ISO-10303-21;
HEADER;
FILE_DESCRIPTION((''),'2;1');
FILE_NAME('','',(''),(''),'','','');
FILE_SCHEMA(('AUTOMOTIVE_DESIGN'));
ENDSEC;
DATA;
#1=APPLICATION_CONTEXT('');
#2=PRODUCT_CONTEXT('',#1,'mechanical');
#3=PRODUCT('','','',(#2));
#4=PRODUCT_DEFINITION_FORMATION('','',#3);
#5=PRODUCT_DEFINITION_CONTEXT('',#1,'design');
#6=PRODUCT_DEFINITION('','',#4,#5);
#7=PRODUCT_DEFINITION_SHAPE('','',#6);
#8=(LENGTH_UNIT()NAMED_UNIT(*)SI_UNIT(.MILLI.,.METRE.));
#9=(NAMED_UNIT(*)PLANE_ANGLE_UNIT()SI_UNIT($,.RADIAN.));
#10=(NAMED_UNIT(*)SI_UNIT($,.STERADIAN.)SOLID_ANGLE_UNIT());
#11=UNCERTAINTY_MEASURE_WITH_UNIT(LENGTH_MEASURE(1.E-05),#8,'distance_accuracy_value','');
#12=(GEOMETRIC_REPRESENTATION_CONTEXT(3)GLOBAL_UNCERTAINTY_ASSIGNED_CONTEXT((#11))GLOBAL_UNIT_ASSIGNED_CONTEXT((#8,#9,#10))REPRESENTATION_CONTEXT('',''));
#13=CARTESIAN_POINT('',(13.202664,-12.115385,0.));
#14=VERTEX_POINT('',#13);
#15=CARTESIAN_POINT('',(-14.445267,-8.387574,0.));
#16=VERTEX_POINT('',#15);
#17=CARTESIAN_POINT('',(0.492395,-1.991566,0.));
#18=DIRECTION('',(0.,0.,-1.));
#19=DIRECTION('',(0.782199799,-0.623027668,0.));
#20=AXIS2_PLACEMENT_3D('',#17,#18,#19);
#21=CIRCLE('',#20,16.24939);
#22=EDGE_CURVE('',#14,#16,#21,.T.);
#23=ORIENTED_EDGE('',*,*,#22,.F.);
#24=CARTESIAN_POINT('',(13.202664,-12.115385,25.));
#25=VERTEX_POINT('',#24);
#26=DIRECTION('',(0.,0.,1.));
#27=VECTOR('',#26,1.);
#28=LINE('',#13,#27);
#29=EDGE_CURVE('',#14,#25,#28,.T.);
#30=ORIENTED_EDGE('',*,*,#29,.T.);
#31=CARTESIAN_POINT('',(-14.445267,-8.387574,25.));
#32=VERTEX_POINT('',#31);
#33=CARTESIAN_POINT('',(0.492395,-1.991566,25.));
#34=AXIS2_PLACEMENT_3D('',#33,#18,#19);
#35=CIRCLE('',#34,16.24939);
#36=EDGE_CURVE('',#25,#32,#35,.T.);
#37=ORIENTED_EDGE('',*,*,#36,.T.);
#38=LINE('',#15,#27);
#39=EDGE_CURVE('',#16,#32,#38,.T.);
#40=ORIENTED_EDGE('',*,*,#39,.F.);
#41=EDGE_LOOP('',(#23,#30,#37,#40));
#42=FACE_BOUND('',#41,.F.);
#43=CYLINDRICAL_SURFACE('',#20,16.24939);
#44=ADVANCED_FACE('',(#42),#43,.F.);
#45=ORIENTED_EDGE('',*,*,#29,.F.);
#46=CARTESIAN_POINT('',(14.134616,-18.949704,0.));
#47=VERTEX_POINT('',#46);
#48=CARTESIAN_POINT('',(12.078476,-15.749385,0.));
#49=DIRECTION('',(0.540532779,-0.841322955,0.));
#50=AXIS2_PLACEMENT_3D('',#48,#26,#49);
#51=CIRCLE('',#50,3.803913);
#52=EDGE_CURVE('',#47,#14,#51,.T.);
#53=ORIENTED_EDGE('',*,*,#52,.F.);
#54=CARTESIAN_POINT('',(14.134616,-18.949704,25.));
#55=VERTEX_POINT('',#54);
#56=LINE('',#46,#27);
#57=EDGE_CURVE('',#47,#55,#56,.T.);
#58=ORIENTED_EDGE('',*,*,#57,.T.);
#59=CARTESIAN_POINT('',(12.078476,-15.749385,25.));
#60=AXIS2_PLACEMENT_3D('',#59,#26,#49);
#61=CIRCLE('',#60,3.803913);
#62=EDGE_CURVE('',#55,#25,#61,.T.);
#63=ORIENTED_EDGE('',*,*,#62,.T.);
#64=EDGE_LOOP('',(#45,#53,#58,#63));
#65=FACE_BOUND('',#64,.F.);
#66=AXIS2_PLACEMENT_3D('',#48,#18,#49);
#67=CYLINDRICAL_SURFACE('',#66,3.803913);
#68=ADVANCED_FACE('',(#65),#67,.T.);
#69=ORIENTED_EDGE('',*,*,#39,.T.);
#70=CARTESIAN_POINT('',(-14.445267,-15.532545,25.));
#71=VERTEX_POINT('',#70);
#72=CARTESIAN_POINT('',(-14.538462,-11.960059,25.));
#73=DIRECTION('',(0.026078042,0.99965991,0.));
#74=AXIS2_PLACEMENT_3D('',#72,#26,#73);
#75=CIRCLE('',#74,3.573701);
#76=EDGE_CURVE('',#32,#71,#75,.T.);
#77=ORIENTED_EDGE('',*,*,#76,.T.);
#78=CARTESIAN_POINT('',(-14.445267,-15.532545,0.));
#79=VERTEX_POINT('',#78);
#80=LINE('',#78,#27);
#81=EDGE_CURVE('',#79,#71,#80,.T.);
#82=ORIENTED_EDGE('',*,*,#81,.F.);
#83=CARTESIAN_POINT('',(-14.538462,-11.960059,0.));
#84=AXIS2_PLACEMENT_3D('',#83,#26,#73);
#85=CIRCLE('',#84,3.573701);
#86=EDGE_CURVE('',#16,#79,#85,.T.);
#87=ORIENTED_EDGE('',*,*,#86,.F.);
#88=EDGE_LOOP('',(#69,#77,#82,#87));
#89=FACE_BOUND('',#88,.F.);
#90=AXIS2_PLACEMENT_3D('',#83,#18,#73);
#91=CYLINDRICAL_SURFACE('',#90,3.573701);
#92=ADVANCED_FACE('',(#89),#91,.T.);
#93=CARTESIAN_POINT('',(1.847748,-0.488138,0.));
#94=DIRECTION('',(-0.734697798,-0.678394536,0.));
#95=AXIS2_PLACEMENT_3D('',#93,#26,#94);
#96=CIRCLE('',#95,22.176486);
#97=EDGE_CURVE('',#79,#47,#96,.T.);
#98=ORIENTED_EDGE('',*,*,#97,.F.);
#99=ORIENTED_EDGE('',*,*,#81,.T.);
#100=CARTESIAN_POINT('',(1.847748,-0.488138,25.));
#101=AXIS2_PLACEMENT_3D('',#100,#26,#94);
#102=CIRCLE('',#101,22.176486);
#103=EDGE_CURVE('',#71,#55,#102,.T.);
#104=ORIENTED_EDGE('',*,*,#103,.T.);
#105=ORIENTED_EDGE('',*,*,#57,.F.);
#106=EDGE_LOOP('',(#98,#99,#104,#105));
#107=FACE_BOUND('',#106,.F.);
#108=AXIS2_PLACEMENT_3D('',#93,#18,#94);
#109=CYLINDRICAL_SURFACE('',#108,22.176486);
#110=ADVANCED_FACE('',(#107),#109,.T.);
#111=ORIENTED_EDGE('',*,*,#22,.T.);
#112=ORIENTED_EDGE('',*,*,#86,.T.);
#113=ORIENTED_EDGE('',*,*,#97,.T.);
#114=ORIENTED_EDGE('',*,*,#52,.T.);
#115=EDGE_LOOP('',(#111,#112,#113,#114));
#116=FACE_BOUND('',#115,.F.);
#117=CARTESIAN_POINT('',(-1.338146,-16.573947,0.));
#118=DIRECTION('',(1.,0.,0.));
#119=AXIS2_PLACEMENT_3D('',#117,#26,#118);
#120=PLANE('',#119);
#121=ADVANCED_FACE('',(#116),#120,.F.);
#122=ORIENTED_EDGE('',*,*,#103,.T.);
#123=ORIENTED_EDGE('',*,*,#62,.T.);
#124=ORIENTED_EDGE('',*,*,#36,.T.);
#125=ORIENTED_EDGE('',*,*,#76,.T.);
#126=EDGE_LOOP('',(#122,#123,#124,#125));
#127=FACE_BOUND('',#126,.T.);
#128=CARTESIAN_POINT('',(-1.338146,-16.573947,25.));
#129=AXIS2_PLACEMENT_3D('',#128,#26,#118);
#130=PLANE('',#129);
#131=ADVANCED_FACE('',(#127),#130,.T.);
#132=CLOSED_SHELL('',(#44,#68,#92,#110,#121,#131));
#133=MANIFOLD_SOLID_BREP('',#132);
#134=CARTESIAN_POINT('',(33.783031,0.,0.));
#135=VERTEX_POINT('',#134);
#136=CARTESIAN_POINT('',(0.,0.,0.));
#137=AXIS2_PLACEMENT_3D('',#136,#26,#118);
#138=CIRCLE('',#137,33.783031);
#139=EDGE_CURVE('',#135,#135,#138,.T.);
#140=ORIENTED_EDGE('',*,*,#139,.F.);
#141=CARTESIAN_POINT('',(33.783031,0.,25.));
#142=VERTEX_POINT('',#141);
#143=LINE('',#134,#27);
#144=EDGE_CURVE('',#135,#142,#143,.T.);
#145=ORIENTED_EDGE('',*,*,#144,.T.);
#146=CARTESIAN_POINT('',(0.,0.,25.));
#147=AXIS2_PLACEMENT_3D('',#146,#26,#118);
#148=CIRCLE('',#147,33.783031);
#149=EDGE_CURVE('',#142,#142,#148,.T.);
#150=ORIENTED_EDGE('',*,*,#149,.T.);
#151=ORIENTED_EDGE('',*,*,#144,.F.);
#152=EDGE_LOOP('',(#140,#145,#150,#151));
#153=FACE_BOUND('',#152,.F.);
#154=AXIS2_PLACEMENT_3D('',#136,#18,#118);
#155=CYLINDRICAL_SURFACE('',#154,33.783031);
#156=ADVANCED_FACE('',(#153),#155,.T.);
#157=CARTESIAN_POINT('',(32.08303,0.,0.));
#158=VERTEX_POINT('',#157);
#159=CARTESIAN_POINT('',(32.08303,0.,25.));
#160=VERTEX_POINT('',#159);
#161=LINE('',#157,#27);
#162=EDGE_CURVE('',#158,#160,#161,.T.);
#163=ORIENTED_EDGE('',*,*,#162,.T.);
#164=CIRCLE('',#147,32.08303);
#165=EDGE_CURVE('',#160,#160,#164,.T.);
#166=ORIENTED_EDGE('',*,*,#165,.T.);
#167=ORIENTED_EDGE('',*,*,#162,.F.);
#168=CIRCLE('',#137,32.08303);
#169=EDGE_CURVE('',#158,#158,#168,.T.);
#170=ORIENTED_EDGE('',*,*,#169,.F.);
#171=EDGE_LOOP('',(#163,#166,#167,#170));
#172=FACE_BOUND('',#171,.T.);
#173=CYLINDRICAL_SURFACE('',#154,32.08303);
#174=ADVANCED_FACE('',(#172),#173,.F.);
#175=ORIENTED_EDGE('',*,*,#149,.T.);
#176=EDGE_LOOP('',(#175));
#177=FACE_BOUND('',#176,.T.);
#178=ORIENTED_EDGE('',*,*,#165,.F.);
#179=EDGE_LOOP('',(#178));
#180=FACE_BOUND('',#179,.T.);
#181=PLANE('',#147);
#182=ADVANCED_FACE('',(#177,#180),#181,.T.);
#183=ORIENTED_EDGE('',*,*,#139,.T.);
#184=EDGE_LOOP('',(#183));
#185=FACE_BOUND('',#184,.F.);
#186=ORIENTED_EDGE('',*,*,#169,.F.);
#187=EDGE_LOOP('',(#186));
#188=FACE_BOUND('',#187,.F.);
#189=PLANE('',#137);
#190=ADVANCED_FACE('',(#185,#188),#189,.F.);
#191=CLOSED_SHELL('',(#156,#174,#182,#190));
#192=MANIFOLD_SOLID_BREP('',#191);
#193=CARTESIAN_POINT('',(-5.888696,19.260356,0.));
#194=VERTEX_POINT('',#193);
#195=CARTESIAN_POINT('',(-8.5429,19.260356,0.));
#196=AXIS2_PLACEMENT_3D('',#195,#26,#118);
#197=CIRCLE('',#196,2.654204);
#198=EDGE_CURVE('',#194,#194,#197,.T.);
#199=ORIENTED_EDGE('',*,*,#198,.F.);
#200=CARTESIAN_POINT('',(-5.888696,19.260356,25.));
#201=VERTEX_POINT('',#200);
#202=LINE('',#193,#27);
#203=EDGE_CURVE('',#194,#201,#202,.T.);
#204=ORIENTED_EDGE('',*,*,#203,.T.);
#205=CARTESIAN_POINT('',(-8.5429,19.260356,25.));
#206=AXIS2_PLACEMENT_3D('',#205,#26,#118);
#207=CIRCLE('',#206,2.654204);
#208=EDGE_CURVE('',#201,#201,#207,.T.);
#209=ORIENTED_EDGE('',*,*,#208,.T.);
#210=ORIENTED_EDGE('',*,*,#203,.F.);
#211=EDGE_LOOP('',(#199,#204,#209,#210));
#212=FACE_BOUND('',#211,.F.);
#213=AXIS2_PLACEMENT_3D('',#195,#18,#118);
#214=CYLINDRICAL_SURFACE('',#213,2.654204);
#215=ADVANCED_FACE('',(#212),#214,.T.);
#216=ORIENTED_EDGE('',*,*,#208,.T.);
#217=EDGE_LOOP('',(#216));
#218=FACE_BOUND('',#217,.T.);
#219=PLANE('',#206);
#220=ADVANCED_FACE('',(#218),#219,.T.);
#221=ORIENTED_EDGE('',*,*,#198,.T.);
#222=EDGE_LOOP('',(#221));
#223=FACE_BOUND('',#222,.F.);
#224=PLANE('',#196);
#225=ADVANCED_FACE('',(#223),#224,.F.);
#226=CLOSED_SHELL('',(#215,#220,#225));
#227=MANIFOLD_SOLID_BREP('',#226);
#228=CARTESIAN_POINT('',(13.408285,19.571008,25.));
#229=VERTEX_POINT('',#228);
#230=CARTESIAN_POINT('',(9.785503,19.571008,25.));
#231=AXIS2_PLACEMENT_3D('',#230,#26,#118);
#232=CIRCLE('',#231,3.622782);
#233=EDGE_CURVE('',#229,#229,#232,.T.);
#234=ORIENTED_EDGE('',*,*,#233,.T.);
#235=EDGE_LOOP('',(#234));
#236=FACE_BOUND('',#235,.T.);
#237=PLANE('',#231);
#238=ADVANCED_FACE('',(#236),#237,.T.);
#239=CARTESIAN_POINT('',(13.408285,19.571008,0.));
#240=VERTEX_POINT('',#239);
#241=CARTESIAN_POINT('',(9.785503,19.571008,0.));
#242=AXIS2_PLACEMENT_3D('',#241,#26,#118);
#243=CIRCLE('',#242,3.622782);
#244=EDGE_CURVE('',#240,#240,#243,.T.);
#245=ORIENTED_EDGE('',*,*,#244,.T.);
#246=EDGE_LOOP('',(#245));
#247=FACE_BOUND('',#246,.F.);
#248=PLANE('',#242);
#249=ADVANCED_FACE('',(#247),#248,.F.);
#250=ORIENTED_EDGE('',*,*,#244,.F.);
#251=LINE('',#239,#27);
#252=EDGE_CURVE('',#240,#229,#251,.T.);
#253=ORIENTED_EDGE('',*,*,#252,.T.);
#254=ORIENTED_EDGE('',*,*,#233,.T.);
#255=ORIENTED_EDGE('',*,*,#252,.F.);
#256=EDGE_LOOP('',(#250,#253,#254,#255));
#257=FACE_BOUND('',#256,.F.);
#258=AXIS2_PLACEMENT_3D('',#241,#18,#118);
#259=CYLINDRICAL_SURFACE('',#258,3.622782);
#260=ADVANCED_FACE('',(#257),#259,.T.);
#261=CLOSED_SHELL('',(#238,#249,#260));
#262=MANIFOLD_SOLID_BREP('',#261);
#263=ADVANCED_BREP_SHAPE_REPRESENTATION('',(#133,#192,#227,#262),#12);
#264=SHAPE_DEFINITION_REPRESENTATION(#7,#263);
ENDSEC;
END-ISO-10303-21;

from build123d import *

# Parameters (mm, degrees)
F0_R     = 33.783031
F0_R_2   = 32.08303
F0_R_3   = 2.654204
F0_R_4   = 3.622782
F1_DEPTH = 25


with BuildPart() as f1:
    # F0 (on Top) → F1 (new body)
    with BuildSketch(Plane.XY):
        Circle(F0_R)
        Circle(F0_R_2, mode=Mode.SUBTRACT)
        with Locations((-8.5429, 19.260356)):
            Circle(F0_R_3)
        with Locations((9.785503, 19.571008)):
            Circle(F0_R_4)
        with BuildLine():
            ThreePointArc((13.202664, -12.115385), (-1.678887, -18.095236), (-14.445267, -8.387574))
            ThreePointArc((-14.445267, -8.387574), (-18.112163, -11.960059), (-14.445267, -15.532545))
            ThreePointArc((-14.445267, -15.532545), (-0.785035, -22.507788), (14.134616, -18.949704))
            ThreePointArc((14.134616, -18.949704), (15.847508, -15.235426), (13.202664, -12.115385))
        make_face()
    extrude(amount=F1_DEPTH)


solid = f1.part
